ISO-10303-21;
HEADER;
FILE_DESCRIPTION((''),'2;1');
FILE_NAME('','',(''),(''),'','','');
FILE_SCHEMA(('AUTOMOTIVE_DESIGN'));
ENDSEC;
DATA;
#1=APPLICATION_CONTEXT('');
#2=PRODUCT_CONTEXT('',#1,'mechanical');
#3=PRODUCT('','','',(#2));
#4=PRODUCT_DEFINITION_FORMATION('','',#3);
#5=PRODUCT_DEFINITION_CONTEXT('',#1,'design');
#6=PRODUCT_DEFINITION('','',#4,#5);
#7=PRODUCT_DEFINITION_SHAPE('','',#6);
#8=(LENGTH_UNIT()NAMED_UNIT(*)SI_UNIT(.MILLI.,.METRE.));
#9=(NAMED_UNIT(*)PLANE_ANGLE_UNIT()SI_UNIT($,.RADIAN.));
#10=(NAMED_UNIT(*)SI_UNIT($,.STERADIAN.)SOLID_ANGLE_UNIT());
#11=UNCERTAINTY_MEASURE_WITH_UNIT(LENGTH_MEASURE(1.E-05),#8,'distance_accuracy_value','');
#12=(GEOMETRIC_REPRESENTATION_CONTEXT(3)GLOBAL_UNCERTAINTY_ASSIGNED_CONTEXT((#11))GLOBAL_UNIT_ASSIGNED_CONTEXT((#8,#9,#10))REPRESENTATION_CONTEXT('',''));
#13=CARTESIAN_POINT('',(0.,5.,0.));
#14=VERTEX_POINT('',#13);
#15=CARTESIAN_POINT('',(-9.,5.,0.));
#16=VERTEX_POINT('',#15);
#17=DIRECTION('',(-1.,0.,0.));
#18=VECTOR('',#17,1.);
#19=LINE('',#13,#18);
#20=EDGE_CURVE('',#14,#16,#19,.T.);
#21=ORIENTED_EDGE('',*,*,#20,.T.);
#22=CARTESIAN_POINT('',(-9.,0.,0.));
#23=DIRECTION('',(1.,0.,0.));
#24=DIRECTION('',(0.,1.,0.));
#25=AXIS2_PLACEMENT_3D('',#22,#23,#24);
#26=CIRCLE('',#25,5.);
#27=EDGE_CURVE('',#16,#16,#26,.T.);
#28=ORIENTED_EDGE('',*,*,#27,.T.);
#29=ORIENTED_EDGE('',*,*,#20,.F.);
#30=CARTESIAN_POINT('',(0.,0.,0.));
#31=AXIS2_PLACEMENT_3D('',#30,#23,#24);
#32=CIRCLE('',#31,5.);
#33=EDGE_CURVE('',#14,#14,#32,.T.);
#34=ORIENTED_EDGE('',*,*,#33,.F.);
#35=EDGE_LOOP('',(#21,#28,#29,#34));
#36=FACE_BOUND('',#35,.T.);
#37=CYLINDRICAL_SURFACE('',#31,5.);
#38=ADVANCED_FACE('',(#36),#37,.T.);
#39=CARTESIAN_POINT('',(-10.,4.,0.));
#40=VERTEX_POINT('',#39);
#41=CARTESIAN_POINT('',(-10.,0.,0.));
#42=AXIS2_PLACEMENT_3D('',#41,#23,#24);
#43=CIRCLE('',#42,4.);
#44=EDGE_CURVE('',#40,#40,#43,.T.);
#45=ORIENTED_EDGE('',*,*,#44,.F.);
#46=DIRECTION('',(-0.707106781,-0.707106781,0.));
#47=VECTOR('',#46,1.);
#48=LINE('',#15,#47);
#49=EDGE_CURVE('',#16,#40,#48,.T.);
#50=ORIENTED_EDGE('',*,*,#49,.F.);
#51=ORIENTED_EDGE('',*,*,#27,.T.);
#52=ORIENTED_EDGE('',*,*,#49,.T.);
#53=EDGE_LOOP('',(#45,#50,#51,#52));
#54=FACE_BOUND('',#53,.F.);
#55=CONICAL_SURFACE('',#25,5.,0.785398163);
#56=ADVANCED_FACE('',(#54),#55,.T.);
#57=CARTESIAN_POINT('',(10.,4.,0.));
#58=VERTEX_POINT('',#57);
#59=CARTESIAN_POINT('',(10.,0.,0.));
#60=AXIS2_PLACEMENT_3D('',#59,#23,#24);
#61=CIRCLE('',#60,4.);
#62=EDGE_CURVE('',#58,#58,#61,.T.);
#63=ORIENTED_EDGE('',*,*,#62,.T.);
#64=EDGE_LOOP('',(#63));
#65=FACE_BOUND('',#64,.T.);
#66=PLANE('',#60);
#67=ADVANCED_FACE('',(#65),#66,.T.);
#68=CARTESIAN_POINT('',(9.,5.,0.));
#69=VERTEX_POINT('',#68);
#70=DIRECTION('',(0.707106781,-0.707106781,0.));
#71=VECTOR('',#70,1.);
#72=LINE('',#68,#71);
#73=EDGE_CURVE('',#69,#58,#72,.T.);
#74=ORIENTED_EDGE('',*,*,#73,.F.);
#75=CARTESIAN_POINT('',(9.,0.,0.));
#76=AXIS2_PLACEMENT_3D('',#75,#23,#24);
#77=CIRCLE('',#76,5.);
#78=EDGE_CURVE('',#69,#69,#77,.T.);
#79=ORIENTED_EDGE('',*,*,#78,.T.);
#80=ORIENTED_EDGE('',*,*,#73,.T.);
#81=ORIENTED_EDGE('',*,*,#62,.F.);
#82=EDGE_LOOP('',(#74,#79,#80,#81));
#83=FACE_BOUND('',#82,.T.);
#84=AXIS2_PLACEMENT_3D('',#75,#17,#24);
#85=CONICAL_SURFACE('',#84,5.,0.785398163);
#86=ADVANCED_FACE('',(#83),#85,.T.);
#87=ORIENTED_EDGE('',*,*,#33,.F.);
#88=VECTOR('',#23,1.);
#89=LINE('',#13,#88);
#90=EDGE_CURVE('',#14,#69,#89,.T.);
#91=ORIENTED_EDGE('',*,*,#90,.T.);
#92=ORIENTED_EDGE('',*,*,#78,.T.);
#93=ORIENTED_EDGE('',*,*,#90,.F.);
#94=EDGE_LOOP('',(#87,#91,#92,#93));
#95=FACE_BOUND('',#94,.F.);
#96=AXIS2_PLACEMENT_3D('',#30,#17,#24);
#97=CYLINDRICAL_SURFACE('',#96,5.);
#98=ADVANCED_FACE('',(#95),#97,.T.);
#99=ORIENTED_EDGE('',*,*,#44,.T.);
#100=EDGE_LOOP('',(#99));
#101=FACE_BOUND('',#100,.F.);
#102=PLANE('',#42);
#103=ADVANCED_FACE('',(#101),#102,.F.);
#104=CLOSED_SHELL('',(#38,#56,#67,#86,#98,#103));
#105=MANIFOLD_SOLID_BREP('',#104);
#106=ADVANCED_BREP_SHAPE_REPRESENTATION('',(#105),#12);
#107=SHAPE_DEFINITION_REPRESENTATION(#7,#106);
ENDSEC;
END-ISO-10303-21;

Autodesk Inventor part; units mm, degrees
ref_plane "YZ Plane" through (0, 0, 0) normal (1, 0, 0) x (0, 1, 0)
ref_plane "XZ Plane" through (0, 0, 0) normal (0, 1, 0) x (-1, 0, 0)
ref_plane "XY Plane" through (0, 0, 0) normal (0, 0, 1) x (1, 0, 0)
sketch "스케치1" plane through (0, 0, 0) normal (1, 0, 0) x (0, 1, 0)
  circle A0 centre (0, 0) radius 5
  dimension "d0" = 10
extrude "돌출1" add sketch "스케치1" along normal mid plane 20
chamfer "모따기1" distance 1 angle 45 2 edges at (10, -5, 0) (-10, -5, 0)
equation "\"joint4_belt_centor\" = 157.367"
equation "\"joint4_axis2_L\" = 58.803"
equation "\"joint4_axis2_b1\" = 35"
equation "\"joint4_axis2_d\" = 19"
equation "\"joint4_miter_m\" = 2"
equation "\"joint4_miter_a\" = 20deg"
equation "\"joint4_miter_z\" = 79"
equation "\"joint4_miter_b\" = 6.90139"
equation "\"joint4_axis3_L\" = 23.5"
equation "\"joint3_belt_centor\" = 157.367"
equation "\"joint3_axis2_L\" = 16"
equation "\"joint3_planetary_m\" = 2"
equation "\"joint3_planetary_a\" = 20deg"
equation "\"joint3_planetary_np\" = 4"
equation "\"joint3_sun_b\" = 19"
equation "\"joint3_planet_b\" = 19"
equation "\"joint3_ring_b\" = 18"
equation "\"joint3_axis3_d\" = 29"
equation "\"joint3_miter_m\" = 4"
equation "\"joint3_miter_a\" = 20deg"
equation "\"joint3_miter_z1\" = 39"
properties part number "joint3_planet_axis" material "PLA filament"
